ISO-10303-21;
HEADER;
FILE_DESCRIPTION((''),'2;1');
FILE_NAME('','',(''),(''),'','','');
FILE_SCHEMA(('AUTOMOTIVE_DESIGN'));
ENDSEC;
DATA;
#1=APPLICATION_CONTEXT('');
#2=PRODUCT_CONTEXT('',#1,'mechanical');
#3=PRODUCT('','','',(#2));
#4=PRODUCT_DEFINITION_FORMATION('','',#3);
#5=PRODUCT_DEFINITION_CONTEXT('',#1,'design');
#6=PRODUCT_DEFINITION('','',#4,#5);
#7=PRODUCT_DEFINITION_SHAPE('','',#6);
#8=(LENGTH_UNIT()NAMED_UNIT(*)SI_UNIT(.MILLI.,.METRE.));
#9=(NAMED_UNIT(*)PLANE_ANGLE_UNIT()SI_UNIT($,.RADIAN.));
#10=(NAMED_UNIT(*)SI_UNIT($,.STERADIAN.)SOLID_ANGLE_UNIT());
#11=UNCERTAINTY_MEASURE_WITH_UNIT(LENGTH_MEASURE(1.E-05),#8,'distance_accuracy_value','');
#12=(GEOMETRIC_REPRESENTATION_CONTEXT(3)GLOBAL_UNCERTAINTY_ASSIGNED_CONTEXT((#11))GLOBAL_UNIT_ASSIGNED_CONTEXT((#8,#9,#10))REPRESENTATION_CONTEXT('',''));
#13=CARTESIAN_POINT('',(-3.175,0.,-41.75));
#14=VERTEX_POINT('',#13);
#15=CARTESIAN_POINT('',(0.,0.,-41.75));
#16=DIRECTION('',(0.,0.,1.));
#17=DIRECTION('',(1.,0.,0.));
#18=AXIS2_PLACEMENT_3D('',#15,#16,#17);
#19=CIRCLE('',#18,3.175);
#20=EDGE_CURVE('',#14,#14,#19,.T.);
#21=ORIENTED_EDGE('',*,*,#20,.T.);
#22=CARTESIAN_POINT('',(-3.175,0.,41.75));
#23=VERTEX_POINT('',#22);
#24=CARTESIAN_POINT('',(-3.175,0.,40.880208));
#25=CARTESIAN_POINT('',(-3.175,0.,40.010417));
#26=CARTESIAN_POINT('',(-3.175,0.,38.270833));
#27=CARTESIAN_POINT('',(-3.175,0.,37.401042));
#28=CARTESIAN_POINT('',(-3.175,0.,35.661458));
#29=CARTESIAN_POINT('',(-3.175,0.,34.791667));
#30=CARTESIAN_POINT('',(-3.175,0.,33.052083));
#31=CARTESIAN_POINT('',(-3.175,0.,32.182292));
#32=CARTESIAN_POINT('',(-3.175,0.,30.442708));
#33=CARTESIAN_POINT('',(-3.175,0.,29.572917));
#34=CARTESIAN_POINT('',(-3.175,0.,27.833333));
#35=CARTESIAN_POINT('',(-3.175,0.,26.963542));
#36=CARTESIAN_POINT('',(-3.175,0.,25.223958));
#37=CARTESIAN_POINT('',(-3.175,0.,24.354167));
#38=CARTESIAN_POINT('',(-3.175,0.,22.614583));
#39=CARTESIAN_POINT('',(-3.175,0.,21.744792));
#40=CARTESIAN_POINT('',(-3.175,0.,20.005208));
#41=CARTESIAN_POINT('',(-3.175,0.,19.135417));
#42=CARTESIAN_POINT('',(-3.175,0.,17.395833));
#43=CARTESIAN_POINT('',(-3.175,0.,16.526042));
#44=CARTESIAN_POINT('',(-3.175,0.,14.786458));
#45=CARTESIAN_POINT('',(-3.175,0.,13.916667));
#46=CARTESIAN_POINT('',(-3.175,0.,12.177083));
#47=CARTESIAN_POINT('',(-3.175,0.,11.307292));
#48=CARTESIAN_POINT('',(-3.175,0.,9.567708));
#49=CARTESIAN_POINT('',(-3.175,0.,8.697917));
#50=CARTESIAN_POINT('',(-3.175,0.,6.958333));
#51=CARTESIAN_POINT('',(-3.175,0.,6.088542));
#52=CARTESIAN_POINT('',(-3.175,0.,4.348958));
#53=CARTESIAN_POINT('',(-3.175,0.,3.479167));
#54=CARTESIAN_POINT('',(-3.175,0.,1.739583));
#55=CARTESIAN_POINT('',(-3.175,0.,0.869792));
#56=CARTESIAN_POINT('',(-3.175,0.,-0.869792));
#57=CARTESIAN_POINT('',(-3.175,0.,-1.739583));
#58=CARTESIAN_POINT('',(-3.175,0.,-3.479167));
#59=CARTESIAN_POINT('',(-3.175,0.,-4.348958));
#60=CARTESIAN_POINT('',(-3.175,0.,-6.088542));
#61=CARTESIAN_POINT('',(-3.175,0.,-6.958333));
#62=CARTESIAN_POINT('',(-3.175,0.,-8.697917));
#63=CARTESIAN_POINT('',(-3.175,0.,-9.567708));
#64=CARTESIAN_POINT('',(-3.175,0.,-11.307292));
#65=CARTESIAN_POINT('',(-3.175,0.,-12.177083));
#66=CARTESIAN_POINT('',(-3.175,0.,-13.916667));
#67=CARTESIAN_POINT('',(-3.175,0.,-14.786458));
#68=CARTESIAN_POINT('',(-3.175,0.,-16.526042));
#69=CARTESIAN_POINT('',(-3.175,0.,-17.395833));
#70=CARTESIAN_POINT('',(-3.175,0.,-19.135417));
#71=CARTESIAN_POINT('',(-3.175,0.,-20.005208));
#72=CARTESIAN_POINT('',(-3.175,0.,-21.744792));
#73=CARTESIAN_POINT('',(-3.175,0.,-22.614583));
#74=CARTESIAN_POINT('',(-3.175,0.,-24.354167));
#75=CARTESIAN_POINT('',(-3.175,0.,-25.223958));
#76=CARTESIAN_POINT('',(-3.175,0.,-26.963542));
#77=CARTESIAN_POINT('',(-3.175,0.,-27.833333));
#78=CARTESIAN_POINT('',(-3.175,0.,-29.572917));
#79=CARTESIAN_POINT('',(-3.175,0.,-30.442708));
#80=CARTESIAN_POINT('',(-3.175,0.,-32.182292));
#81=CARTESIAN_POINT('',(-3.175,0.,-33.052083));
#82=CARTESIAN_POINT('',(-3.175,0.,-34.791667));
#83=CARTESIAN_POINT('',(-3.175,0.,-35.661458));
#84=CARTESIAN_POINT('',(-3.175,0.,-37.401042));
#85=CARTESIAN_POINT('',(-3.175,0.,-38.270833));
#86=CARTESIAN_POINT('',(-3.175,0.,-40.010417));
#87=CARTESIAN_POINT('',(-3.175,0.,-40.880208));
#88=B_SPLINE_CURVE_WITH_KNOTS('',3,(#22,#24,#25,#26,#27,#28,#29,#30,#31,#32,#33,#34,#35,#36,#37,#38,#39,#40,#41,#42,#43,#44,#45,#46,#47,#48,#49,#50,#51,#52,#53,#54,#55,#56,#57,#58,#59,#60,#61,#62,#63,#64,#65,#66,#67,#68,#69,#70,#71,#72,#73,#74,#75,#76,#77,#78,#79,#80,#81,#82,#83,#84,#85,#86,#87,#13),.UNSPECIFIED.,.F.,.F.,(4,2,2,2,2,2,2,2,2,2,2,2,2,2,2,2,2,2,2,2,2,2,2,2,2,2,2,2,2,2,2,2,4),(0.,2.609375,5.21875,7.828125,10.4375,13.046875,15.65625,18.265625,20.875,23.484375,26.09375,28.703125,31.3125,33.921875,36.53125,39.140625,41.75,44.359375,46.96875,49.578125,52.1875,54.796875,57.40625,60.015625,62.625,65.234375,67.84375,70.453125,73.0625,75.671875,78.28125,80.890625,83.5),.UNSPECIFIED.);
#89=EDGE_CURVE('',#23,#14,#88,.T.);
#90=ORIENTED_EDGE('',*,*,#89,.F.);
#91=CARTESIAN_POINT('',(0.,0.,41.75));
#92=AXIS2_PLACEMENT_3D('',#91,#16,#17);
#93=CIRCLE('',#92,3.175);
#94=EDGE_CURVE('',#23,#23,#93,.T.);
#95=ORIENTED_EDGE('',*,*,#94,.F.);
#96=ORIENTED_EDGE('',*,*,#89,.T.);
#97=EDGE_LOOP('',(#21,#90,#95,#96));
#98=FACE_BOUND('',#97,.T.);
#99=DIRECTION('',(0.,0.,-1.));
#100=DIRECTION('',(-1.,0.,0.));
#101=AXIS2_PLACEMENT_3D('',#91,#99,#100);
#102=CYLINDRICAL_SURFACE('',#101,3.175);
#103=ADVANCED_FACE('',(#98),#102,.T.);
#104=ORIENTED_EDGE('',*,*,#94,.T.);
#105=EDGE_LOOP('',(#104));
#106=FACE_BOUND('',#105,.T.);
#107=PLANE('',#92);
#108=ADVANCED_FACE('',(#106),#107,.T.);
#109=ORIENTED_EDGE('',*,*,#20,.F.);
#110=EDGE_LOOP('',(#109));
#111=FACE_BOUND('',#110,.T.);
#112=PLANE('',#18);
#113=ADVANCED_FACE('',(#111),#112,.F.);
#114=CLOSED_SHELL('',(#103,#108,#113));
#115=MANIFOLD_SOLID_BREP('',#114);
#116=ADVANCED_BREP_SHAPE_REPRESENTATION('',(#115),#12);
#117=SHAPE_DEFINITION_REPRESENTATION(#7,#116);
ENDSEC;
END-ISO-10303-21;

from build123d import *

# Parameters (mm, degrees)
BOSS_EXTRUDE1_DEPTH      = 41.75
BOSS_EXTRUDE1_DEPTH_BACK = 41.75
SKETCH3_R                = 3.175


with BuildPart() as part:
    # Sketch3 → Boss-Extrude1 (new, two sides: drawn at the far end of the back side and taken through both)
    with BuildSketch(Plane.XY.offset(-BOSS_EXTRUDE1_DEPTH_BACK)):
        with Locations(Location((0, 0, 0), (0, 0, 180))):
            Circle(SKETCH3_R)
    extrude(amount=BOSS_EXTRUDE1_DEPTH + BOSS_EXTRUDE1_DEPTH_BACK)


solid = part.part
